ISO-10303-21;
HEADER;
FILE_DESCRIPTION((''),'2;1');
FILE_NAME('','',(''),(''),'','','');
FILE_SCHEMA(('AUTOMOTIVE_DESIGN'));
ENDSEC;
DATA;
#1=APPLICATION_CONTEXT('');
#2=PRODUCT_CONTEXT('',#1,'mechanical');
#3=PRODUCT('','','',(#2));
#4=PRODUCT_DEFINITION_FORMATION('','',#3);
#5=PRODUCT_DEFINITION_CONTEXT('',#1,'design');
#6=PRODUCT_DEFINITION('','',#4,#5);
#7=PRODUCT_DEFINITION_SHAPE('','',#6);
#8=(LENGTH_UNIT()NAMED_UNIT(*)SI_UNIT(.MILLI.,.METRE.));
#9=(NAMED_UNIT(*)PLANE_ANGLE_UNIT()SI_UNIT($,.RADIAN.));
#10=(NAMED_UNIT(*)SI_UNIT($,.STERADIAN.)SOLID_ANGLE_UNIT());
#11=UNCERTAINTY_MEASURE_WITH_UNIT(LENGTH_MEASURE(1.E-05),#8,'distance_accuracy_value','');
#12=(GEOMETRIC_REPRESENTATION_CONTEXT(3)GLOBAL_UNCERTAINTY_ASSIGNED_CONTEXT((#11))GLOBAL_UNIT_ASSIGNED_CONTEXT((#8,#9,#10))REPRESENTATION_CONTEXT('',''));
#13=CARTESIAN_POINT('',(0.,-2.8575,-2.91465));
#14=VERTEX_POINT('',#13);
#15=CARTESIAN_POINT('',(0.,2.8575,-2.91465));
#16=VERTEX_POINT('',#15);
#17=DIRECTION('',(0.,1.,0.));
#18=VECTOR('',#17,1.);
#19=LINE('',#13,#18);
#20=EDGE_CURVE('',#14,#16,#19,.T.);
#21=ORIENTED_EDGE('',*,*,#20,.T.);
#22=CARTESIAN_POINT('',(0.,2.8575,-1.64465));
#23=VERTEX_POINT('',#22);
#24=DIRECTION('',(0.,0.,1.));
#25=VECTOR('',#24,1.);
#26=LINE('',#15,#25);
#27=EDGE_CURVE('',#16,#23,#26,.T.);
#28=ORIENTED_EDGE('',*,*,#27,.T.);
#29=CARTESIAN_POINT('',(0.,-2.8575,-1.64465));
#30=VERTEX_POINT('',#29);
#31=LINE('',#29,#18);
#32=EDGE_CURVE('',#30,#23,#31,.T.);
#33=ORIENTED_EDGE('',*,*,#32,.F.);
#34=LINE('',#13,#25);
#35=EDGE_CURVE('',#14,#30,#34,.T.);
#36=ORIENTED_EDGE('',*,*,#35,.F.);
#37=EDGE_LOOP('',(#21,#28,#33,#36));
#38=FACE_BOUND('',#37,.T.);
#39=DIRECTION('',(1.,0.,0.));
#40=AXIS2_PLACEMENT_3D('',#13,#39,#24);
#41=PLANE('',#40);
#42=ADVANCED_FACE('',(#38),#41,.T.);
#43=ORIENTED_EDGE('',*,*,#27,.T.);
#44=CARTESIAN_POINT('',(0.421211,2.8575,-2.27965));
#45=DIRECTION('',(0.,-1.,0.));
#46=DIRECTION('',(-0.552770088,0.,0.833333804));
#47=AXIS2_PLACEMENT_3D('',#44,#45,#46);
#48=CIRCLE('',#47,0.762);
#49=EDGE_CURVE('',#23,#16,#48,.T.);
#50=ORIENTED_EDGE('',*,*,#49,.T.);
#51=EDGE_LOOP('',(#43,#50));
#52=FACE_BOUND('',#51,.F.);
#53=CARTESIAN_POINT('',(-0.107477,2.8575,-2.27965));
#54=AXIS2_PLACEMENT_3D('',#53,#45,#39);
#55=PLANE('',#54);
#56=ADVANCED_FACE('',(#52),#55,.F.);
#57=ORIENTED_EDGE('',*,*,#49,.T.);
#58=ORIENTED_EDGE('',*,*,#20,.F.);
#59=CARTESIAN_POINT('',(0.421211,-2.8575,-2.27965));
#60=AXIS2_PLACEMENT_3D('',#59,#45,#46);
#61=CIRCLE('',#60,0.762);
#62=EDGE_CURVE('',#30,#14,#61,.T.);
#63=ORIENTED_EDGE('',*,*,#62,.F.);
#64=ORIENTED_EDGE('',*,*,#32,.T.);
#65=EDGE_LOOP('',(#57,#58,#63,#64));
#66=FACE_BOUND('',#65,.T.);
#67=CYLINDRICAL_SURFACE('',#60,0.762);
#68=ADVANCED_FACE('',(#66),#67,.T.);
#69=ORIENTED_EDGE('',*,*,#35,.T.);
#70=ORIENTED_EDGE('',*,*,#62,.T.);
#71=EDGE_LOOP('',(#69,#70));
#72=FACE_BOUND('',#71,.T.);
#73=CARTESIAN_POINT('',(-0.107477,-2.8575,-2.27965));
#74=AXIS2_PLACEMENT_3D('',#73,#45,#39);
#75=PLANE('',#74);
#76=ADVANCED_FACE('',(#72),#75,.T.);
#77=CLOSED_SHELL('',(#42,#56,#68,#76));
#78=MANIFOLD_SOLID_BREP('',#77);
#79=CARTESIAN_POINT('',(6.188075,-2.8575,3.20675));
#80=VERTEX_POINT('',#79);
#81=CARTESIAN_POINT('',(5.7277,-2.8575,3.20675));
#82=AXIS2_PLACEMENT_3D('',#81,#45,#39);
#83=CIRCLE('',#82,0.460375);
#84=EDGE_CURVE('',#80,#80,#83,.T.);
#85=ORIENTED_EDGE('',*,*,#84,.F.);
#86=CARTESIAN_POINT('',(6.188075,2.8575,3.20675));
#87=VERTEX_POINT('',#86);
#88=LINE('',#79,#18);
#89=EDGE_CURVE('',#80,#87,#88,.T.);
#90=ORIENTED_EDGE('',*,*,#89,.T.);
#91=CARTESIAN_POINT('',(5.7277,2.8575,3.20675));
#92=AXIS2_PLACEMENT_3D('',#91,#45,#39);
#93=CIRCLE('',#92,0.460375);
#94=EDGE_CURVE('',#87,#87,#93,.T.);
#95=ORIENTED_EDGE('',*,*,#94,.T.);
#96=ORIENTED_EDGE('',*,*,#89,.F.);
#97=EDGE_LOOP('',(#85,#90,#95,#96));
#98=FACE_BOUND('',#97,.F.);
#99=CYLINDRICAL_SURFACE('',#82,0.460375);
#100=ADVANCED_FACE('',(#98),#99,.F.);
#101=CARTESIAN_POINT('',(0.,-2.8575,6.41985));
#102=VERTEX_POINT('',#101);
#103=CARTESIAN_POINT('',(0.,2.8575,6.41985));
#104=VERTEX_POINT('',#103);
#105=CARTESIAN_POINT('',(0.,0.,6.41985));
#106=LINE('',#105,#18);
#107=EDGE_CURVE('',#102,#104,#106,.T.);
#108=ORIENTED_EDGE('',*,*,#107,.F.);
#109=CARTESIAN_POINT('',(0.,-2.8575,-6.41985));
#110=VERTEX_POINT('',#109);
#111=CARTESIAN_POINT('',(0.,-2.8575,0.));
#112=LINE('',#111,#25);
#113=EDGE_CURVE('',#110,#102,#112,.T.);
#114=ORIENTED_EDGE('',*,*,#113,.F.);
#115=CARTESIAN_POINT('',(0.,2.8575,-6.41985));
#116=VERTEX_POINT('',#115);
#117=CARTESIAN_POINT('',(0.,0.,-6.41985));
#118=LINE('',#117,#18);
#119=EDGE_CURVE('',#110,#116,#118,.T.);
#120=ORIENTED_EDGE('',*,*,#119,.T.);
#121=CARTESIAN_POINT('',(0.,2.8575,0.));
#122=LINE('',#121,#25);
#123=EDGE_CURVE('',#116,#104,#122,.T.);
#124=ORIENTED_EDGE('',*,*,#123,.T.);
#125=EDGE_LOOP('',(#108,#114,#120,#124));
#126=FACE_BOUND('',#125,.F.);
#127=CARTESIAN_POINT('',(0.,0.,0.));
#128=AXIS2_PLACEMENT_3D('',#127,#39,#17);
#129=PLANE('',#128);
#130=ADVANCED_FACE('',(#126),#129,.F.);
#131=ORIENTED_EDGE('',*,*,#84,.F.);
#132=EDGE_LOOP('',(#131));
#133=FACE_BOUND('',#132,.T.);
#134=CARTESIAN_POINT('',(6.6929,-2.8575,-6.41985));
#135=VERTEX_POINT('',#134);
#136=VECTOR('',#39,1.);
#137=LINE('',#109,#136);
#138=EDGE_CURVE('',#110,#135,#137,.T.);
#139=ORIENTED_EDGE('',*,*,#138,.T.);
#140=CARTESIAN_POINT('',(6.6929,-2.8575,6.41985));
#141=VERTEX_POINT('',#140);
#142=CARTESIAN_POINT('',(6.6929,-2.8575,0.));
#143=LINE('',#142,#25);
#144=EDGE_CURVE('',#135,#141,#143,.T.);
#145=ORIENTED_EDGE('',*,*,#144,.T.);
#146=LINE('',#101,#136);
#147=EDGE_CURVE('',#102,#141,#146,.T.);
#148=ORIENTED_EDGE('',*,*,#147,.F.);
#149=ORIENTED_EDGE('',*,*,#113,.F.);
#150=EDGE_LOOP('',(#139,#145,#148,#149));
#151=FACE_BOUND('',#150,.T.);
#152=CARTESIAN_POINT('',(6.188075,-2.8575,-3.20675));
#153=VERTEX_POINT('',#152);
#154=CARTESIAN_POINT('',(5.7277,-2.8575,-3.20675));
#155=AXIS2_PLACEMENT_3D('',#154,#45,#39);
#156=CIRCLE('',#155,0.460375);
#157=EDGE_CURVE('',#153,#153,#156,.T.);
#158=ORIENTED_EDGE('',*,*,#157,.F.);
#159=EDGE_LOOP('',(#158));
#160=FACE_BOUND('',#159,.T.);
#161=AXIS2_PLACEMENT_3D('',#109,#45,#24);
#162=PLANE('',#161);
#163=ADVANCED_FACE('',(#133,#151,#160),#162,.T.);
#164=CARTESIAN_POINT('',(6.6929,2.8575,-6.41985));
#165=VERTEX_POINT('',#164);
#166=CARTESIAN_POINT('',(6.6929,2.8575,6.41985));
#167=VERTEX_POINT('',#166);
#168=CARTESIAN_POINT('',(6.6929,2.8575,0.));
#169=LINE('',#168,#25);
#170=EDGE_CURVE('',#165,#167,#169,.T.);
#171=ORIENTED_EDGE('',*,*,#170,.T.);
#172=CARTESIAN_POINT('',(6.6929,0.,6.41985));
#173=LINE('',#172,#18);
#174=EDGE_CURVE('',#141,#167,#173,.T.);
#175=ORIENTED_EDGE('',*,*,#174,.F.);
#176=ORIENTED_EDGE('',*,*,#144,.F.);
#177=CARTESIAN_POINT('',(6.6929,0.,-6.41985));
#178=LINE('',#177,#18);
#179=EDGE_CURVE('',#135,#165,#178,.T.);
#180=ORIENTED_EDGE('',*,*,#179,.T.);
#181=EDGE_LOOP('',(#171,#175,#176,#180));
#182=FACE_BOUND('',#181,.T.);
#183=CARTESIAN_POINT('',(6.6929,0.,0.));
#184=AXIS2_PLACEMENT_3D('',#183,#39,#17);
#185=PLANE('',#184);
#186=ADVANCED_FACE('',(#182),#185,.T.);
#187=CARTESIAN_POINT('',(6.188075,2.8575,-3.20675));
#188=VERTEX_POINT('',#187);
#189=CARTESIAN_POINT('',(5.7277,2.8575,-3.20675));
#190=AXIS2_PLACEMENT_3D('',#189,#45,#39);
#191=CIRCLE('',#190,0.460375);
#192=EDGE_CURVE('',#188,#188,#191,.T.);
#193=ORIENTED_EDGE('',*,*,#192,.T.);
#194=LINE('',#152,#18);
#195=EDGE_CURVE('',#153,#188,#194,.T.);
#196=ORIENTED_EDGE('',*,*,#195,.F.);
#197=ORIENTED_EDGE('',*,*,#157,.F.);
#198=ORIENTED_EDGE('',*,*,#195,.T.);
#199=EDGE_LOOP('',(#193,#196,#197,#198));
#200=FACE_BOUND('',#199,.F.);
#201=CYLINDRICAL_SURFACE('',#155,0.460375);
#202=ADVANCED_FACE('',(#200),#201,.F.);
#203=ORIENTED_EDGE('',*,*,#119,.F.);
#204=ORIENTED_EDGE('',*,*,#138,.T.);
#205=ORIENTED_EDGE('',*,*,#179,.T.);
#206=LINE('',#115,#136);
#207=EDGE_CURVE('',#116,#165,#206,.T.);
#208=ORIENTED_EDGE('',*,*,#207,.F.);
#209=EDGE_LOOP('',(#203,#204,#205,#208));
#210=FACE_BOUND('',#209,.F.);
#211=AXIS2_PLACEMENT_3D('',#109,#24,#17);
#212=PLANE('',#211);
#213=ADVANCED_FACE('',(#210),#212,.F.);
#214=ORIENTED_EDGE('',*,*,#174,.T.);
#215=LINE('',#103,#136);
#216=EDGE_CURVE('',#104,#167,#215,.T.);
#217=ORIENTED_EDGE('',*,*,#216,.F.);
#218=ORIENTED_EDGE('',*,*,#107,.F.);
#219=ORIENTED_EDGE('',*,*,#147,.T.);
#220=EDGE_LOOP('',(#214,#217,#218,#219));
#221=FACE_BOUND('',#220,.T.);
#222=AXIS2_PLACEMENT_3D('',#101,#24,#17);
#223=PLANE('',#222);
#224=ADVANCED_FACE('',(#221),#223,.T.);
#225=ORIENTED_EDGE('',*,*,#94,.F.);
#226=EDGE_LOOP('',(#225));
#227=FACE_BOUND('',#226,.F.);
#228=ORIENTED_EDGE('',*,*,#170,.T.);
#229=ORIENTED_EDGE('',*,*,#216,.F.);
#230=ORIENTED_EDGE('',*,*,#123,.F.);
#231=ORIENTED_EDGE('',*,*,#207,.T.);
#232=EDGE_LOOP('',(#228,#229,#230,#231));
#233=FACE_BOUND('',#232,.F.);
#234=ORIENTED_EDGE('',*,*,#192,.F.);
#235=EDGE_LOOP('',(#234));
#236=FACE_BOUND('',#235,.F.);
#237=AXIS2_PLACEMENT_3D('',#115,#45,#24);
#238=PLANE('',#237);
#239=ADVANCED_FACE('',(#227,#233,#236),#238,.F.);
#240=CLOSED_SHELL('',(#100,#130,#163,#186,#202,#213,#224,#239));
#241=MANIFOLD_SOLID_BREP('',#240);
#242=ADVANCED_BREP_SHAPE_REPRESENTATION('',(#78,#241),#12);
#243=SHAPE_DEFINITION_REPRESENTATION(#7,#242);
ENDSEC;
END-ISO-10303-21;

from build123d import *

# Parameters (mm, degrees)
F0_W     = 5.715
F0_H     = 12.8397
F1_DEPTH = 6.6929
F3_DEPTH = 5.715
F4_R     = 0.460375
F5_DEPTH = 5.715


with BuildPart() as f1:
    # F0 (on Right) → F1 (new body)
    with BuildSketch(Plane.YZ):
        Rectangle(F0_W, F0_H)
    extrude(amount=F1_DEPTH)

    # F4 (on face) → F5 (cut, through all)
    with BuildSketch(Plane.XZ.offset(2.8575)):
        with Locations((5.7277, 3.20675)):
            Circle(F4_R)
        with Locations((5.7277, -3.20675)):
            Circle(F4_R)
    extrude(amount=-F5_DEPTH, mode=Mode.SUBTRACT)


with BuildPart() as f3:
    # F2 (on face) → F3 (new body, through all)
    with BuildSketch(Plane.XZ.offset(2.8575)):
        with BuildLine():
            Line((0, -2.91465), (0, -1.64465))
            ThreePointArc((0, -1.64465), (-0.340789, -2.27965), (0, -2.91465))
        make_face()
    extrude(amount=-F3_DEPTH)


solid = Compound([f1.part, f3.part])
